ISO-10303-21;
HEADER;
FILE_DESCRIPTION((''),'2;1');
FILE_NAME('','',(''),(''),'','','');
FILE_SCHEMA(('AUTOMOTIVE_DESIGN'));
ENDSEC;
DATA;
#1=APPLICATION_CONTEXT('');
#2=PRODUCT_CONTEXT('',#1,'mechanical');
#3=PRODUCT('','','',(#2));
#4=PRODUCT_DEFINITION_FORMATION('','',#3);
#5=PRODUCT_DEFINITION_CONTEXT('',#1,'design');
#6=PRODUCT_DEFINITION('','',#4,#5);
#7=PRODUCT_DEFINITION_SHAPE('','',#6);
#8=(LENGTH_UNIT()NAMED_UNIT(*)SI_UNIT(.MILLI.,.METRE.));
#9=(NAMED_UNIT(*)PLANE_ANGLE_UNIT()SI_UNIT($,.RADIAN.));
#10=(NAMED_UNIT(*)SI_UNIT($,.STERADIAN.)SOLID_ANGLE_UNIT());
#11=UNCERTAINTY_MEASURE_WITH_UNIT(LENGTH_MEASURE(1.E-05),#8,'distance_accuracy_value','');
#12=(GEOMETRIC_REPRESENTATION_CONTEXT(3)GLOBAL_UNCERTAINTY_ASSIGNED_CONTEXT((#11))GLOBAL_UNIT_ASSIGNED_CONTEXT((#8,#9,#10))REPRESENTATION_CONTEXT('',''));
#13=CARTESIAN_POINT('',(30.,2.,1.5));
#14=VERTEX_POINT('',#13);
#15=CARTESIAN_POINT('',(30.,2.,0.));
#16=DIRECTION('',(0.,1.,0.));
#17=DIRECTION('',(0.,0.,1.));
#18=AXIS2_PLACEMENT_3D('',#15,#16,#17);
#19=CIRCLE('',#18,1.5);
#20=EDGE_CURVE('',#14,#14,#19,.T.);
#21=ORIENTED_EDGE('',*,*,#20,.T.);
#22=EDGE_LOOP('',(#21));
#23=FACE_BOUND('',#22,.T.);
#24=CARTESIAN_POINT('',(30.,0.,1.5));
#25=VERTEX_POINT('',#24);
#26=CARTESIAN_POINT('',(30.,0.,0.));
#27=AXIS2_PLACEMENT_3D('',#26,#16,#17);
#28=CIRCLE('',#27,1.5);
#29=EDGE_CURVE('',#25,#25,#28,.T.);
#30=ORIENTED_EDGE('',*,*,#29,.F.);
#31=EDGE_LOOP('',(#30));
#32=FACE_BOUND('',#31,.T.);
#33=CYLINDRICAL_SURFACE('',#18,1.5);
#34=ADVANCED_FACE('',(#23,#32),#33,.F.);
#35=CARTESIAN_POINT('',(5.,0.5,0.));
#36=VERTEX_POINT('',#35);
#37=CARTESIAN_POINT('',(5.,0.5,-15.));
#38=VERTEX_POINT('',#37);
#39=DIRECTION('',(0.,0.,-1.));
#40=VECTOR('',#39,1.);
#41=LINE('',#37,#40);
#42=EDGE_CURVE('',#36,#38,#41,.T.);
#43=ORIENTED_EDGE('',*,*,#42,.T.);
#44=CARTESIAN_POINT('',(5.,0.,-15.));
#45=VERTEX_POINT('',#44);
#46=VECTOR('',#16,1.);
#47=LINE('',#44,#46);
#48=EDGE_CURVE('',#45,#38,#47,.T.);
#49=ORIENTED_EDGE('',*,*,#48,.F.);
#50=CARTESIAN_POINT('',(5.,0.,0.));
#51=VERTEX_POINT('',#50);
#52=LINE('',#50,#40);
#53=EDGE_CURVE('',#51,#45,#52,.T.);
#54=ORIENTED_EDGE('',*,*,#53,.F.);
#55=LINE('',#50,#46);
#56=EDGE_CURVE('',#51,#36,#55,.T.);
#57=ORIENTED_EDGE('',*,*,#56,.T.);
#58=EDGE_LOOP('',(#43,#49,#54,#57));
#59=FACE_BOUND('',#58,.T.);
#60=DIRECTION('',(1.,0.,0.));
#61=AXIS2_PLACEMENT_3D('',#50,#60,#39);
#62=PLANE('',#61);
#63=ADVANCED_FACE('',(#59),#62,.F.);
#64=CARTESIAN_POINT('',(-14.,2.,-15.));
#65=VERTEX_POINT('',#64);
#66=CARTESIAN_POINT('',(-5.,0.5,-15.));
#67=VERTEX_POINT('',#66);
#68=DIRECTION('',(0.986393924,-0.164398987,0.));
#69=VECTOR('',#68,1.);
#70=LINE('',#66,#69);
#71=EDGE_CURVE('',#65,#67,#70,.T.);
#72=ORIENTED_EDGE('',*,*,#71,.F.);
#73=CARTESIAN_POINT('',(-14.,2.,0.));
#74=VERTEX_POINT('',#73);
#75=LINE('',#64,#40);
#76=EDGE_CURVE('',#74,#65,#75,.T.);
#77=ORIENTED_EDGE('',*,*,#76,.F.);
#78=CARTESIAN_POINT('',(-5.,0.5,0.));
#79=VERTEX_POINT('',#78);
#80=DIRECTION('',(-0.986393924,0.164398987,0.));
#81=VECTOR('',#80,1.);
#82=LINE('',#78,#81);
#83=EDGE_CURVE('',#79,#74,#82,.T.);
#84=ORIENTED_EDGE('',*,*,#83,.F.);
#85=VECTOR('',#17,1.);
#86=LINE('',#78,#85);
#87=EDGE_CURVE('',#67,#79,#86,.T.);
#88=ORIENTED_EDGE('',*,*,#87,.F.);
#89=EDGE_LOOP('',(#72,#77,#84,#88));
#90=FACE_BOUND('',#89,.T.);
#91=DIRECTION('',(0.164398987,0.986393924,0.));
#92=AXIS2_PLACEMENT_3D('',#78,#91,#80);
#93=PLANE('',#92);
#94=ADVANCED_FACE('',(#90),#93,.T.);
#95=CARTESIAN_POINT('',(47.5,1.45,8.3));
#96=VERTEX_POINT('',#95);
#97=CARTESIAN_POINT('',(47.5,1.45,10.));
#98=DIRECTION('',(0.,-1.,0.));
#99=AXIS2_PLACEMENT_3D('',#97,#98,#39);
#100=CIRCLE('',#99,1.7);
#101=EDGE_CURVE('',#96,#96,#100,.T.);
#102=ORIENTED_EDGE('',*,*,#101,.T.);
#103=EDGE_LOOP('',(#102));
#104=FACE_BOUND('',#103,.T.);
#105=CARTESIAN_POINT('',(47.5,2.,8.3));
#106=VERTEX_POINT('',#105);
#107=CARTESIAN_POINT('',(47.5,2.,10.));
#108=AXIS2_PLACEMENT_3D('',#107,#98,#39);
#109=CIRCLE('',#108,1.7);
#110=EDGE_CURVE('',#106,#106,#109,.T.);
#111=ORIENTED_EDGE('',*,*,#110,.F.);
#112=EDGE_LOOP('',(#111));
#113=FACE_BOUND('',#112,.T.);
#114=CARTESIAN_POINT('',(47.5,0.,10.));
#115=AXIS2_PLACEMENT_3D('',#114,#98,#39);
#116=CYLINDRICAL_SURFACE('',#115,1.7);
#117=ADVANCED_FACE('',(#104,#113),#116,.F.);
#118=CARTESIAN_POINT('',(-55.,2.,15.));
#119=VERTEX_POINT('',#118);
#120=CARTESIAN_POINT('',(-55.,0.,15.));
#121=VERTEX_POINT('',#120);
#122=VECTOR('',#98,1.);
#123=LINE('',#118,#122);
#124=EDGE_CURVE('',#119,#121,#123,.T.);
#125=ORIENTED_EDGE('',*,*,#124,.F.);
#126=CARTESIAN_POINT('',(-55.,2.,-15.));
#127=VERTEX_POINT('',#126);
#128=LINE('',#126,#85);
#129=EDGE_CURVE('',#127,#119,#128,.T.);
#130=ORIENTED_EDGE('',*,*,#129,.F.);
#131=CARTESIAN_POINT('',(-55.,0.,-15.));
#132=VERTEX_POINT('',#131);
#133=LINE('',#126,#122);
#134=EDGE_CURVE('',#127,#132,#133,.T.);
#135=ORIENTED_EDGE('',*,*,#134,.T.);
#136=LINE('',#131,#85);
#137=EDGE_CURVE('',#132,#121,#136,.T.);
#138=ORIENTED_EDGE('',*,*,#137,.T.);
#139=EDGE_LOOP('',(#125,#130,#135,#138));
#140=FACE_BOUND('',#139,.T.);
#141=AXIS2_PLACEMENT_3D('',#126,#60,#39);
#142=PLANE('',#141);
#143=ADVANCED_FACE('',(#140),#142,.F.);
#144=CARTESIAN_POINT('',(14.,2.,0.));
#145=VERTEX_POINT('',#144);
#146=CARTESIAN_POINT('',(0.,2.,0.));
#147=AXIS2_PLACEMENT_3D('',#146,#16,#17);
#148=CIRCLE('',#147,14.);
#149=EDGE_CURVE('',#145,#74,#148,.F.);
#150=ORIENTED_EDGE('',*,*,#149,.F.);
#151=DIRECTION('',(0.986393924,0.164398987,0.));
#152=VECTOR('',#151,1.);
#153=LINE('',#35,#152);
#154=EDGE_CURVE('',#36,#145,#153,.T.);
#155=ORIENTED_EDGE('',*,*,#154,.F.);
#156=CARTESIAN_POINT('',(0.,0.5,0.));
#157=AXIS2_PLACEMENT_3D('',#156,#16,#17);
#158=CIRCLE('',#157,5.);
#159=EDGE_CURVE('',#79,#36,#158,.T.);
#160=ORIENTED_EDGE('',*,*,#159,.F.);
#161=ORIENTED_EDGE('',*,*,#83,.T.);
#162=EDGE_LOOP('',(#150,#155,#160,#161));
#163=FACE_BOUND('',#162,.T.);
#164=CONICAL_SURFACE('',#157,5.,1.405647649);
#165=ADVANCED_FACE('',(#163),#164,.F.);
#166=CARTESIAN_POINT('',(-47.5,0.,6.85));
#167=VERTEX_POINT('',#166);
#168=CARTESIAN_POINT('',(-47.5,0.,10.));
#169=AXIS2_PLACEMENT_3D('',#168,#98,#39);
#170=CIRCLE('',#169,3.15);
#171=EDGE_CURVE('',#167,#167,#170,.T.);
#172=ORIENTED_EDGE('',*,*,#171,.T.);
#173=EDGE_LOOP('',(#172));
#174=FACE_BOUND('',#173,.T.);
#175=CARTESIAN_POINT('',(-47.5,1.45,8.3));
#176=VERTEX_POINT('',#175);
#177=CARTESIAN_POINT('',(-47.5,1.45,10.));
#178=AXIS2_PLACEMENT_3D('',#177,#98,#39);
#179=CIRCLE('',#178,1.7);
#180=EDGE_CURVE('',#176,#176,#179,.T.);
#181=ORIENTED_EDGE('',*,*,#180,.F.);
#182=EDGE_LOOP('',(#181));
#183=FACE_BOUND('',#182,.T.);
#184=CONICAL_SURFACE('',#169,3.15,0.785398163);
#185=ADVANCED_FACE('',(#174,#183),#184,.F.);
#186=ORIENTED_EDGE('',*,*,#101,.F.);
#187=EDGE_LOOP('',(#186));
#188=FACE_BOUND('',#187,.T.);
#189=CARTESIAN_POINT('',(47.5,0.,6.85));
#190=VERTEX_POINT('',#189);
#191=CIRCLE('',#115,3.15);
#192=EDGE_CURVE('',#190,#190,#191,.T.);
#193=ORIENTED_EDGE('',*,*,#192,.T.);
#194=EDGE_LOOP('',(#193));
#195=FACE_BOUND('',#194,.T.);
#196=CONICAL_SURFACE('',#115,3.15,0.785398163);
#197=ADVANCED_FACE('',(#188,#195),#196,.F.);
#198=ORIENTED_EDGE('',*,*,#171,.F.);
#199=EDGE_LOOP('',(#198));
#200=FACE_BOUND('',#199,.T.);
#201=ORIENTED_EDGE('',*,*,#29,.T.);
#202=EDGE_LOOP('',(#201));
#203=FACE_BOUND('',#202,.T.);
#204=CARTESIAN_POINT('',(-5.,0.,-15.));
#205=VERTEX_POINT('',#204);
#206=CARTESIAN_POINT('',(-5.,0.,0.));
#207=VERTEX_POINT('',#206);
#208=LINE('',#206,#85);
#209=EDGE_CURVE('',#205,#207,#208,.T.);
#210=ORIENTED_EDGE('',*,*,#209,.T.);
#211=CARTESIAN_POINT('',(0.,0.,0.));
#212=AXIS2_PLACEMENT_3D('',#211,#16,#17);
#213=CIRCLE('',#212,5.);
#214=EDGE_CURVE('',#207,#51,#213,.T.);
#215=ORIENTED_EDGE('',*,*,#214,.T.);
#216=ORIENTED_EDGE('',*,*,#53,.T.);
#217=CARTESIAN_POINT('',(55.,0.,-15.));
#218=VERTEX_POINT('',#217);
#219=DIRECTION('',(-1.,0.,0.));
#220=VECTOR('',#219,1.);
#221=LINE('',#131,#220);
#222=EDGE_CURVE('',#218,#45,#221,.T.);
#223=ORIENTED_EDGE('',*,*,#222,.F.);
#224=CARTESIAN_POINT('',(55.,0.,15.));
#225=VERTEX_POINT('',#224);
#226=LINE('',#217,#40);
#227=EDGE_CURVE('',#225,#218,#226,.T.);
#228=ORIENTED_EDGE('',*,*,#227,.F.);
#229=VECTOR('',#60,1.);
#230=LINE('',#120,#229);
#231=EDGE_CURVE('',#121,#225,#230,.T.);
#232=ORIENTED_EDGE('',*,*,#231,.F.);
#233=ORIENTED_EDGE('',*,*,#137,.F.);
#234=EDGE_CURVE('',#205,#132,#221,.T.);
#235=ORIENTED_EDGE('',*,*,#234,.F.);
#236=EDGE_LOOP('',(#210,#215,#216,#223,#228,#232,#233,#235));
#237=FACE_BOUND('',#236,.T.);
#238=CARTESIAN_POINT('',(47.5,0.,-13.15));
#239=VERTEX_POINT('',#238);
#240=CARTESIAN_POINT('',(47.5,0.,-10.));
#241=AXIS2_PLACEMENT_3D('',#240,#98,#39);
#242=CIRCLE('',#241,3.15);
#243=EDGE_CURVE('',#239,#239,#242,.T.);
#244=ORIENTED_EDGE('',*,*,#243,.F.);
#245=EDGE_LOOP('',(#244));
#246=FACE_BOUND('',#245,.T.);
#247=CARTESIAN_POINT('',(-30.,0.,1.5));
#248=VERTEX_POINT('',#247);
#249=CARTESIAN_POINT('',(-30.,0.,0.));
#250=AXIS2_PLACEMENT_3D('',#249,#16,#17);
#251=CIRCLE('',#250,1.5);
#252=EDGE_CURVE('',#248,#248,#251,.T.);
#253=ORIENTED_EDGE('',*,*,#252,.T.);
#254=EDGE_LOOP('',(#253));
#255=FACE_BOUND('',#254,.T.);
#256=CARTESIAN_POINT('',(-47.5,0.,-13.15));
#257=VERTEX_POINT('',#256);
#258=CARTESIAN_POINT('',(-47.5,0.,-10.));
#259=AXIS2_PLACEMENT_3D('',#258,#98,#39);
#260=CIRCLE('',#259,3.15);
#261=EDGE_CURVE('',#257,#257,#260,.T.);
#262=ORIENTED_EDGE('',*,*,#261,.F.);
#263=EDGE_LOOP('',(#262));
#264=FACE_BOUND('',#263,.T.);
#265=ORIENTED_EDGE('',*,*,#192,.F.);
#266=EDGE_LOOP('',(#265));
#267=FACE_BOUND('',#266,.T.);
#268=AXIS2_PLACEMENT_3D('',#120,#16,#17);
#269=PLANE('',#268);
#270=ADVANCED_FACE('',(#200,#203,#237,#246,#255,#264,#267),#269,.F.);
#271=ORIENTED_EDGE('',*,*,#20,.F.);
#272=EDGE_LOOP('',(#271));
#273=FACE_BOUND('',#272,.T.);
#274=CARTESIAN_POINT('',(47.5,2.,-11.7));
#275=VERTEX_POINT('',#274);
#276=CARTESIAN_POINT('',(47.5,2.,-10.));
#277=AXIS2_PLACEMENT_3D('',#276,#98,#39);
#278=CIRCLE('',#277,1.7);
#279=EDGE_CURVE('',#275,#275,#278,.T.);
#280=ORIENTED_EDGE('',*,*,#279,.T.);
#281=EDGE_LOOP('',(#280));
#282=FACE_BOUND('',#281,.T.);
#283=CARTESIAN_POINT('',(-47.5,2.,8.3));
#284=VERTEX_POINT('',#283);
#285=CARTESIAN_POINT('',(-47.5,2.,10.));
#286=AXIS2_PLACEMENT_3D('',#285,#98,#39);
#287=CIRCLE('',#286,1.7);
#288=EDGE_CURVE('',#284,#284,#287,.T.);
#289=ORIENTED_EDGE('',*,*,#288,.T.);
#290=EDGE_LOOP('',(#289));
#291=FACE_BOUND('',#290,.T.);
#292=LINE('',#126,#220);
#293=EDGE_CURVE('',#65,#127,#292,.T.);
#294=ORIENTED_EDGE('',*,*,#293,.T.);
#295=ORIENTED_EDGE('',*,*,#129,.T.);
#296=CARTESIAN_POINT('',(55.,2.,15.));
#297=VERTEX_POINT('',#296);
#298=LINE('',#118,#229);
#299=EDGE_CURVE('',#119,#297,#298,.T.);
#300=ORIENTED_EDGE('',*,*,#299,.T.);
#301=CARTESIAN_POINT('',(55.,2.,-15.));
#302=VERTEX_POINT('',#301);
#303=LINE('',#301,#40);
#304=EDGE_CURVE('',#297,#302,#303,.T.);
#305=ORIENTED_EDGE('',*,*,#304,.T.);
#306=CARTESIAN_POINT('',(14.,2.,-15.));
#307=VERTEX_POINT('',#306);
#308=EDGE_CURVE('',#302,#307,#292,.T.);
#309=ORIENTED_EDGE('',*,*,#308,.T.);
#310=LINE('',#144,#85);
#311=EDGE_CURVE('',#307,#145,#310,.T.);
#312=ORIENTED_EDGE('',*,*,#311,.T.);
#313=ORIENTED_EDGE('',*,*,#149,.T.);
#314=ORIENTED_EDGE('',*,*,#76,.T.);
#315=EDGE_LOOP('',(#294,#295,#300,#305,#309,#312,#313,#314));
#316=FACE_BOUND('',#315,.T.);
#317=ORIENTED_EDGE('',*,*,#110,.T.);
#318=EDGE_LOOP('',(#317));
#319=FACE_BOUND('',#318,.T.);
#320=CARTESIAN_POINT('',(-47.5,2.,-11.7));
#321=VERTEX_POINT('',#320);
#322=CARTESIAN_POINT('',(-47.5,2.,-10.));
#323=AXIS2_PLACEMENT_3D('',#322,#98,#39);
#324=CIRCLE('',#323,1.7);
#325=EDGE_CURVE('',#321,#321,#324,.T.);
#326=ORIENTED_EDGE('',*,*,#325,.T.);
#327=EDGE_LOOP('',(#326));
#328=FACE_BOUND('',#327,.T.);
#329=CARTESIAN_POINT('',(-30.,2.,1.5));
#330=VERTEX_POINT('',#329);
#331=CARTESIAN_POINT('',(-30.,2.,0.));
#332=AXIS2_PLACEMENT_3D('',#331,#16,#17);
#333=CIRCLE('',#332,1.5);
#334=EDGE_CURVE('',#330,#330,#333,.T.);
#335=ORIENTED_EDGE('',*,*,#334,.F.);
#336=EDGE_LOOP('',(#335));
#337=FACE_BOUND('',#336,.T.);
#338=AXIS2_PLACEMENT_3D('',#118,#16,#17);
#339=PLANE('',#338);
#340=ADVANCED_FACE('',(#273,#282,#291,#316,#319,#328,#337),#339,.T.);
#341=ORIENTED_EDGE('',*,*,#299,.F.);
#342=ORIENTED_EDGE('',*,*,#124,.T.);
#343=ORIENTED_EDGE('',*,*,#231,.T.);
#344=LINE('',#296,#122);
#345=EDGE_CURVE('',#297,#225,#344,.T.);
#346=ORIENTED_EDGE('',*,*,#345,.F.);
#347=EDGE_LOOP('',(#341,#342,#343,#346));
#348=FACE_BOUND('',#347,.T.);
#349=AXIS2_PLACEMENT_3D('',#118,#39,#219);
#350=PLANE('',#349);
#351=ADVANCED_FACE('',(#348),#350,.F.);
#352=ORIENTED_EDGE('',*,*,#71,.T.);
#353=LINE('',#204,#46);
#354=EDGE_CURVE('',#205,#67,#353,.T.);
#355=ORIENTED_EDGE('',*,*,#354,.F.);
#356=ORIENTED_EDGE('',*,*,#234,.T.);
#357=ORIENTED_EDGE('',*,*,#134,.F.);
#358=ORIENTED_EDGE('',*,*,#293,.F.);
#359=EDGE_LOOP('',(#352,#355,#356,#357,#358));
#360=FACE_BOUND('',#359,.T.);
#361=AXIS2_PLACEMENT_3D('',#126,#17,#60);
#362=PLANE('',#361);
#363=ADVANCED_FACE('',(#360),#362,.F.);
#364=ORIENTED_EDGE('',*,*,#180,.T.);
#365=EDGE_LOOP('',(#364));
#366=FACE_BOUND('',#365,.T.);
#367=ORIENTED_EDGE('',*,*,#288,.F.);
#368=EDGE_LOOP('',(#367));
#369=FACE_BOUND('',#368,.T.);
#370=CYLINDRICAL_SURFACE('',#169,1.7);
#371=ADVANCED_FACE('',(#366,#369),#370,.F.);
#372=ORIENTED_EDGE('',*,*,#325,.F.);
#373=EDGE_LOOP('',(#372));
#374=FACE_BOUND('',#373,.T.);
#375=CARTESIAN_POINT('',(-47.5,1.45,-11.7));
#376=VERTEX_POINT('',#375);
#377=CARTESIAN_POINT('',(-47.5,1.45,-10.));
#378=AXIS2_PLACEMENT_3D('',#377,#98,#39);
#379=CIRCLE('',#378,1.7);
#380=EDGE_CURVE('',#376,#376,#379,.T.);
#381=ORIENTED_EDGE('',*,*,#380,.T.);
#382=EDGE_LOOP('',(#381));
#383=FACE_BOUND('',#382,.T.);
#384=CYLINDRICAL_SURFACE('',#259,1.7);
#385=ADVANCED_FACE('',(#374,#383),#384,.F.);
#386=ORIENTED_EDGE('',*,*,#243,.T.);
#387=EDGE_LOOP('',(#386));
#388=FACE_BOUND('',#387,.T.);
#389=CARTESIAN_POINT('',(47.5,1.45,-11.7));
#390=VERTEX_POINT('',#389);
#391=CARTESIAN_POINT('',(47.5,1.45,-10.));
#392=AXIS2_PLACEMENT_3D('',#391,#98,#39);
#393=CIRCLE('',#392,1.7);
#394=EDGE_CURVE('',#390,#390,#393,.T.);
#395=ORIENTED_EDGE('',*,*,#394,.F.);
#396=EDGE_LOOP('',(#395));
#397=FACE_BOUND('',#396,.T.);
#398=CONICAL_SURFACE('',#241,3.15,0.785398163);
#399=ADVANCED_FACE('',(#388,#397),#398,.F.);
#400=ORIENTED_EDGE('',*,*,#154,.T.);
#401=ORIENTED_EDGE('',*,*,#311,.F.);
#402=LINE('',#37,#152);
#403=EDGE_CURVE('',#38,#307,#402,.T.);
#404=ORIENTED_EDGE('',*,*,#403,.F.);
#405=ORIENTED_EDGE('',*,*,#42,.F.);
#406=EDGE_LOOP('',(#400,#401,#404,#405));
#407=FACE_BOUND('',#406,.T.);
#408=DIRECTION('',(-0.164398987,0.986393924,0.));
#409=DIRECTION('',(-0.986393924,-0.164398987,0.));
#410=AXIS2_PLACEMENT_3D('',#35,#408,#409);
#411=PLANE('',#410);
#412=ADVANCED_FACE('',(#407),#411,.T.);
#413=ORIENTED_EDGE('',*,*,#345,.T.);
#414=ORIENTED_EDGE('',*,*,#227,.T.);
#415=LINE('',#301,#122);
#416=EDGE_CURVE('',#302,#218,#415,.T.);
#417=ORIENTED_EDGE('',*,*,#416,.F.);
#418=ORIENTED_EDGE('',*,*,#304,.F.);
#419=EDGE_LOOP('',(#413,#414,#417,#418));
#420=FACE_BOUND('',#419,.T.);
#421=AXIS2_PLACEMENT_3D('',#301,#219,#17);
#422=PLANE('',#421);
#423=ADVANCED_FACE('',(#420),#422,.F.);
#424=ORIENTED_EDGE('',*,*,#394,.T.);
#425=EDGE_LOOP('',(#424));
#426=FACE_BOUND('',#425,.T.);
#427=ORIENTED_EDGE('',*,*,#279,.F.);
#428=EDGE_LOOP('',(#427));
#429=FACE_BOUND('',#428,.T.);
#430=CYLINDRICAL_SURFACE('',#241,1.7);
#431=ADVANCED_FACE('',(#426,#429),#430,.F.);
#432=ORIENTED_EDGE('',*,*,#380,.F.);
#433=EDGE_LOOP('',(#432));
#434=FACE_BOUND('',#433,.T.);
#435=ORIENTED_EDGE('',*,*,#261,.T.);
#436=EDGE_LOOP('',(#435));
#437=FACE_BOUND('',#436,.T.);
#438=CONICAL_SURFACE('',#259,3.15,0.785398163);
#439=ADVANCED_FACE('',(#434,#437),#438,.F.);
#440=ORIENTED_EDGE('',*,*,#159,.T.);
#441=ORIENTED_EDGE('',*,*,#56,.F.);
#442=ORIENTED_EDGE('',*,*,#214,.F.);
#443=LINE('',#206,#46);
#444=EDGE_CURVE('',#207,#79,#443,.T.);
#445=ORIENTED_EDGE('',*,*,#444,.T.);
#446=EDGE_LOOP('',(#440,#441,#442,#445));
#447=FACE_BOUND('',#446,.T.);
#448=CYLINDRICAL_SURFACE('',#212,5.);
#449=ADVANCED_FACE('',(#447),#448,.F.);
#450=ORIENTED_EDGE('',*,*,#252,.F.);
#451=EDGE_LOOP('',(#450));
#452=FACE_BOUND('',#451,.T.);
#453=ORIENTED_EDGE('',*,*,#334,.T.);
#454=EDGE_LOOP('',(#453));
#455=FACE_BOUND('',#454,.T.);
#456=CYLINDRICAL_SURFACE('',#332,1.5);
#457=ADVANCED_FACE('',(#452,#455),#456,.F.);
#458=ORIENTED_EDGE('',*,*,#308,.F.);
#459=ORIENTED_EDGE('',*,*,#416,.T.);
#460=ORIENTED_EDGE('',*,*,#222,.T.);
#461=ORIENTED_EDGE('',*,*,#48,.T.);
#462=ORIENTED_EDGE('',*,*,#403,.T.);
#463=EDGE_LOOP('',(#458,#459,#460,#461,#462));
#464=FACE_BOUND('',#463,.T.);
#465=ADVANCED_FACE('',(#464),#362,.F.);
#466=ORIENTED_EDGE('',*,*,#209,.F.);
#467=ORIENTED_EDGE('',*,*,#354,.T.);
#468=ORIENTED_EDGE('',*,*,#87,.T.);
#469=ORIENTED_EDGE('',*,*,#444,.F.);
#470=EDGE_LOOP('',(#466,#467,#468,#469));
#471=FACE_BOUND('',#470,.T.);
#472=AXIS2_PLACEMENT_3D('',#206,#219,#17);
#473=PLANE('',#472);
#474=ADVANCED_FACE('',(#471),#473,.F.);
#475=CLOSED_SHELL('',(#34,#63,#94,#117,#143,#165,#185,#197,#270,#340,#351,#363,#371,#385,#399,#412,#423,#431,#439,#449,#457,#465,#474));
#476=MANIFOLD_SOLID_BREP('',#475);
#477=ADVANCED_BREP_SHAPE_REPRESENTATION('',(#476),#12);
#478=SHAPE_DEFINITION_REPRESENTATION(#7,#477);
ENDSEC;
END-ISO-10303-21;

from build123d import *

# Parameters (mm, degrees)
SKETCH1_W                                    = 110
SKETCH1_H                                    = 30
EXTRUDE1_DEPTH                               = 2
CUT_EXTRUDE1_DEPTH                           = 3
CHAMFER1_SIZE                                = 9
CHAMFER1_SIZE2                               = 1.5
CSK_FOR_M3_COUNTERSUNK_RAISED_HEAD_S_2_COUNT = 2
CSK_FOR_M3_COUNTERSUNK_RAISED_HEAD_S_2_PITCH = 95
CSK_FOR_M3_COUNTERSUNK_RAISED_HEAD_S_3_COUNT = 2
CSK_FOR_M3_COUNTERSUNK_RAISED_HEAD_S_3_PITCH = 97.082439195
CSK_FOR_M3_COUNTERSUNK_RAISED_HEAD_S_4_COUNT = 2
CSK_FOR_M3_COUNTERSUNK_RAISED_HEAD_S_4_PITCH = 20
M3_TAPPED_HOLE1_D                            = 3


with BuildPart() as part:
    # Sketch1 → Extrude1 (new body)
    with BuildSketch(Plane(origin=(0, 0, 0), x_dir=(1, 0, 0), z_dir=(0, 1, 0))):
        Rectangle(SKETCH1_W, SKETCH1_H)
    extrude(amount=EXTRUDE1_DEPTH)

    # Sketch2 → Cut-Extrude1 (cut, through all)
    with BuildSketch(Plane(origin=(0, 2, 0), x_dir=(-1, 0, 0), z_dir=(0, 1, 0))):
        with BuildLine():
            Line((5, 0), (5, -15))
            Line((5, -15), (-5, -15))
            Line((-5, -15), (-5, 0))
            ThreePointArc((-5, 0), (0, 5), (5, 0))
        make_face()
    extrude(amount=-CUT_EXTRUDE1_DEPTH, mode=Mode.SUBTRACT)

    # Chamfer1
    chamfer1_edges = [part.edges().sort_by_distance(p)[0] for p in [
        (0, 2, 5),
        (5, 2, -7.5),
        (-5, 2, -7.5),
    ]]
    chamfer1_side = [part.faces().sort_by_distance(p)[0] for p in [
        (-53.859824575, 2, 0),
    ]]
    chamfer(chamfer1_edges, length=CHAMFER1_SIZE, length2=CHAMFER1_SIZE2, reference=chamfer1_side[0])

    # Sketch8 → CSK for M3 Countersunk Raised Head Screw1 (revolve, cut)
    with BuildSketch(Plane(origin=(47.5, 0, -10), x_dir=(0, 0, -1), z_dir=(1, 0, 0))):
        Polygon((0, 0), (0, 2), (1.7, 2), (1.7, 1.45), (3.15, 0), align=None)
    csk_for_m3_countersunk_raised_head_screw = revolve(axis=Axis((47.5, -6.35, -10), (0, 1, 0)), mode=Mode.SUBTRACT)

    # CSK for M3 Countersunk Raised Head S 2: CSK for M3 Countersunk Raised Head Screw1 ×2
    with Locations(*[(-i * CSK_FOR_M3_COUNTERSUNK_RAISED_HEAD_S_2_PITCH, 0, 0) for i in range(1, CSK_FOR_M3_COUNTERSUNK_RAISED_HEAD_S_2_COUNT)]):
        add(csk_for_m3_countersunk_raised_head_screw, mode=Mode.SUBTRACT)

    # CSK for M3 Countersunk Raised Head S 3: CSK for M3 Countersunk Raised Head Screw1 ×2
    with Locations(*[Vector(-0.978549785, 0, 0.206010481) * (i * CSK_FOR_M3_COUNTERSUNK_RAISED_HEAD_S_3_PITCH) for i in range(1, CSK_FOR_M3_COUNTERSUNK_RAISED_HEAD_S_3_COUNT)]):
        add(csk_for_m3_countersunk_raised_head_screw, mode=Mode.SUBTRACT)

    # CSK for M3 Countersunk Raised Head S 4: CSK for M3 Countersunk Raised Head Screw1 ×2
    with Locations(*[(0, 0, i * CSK_FOR_M3_COUNTERSUNK_RAISED_HEAD_S_4_PITCH) for i in range(1, CSK_FOR_M3_COUNTERSUNK_RAISED_HEAD_S_4_COUNT)]):
        add(csk_for_m3_countersunk_raised_head_screw, mode=Mode.SUBTRACT)

    # M3 Tapped Hole1 (through all)
    with Locations(Plane(origin=(0, 2, 0), x_dir=(-1, 0, 0), z_dir=(0, 1, 0))):
        with Locations((-30, 0), (30, 0)):
            Hole(M3_TAPPED_HOLE1_D / 2)


solid = part.part
